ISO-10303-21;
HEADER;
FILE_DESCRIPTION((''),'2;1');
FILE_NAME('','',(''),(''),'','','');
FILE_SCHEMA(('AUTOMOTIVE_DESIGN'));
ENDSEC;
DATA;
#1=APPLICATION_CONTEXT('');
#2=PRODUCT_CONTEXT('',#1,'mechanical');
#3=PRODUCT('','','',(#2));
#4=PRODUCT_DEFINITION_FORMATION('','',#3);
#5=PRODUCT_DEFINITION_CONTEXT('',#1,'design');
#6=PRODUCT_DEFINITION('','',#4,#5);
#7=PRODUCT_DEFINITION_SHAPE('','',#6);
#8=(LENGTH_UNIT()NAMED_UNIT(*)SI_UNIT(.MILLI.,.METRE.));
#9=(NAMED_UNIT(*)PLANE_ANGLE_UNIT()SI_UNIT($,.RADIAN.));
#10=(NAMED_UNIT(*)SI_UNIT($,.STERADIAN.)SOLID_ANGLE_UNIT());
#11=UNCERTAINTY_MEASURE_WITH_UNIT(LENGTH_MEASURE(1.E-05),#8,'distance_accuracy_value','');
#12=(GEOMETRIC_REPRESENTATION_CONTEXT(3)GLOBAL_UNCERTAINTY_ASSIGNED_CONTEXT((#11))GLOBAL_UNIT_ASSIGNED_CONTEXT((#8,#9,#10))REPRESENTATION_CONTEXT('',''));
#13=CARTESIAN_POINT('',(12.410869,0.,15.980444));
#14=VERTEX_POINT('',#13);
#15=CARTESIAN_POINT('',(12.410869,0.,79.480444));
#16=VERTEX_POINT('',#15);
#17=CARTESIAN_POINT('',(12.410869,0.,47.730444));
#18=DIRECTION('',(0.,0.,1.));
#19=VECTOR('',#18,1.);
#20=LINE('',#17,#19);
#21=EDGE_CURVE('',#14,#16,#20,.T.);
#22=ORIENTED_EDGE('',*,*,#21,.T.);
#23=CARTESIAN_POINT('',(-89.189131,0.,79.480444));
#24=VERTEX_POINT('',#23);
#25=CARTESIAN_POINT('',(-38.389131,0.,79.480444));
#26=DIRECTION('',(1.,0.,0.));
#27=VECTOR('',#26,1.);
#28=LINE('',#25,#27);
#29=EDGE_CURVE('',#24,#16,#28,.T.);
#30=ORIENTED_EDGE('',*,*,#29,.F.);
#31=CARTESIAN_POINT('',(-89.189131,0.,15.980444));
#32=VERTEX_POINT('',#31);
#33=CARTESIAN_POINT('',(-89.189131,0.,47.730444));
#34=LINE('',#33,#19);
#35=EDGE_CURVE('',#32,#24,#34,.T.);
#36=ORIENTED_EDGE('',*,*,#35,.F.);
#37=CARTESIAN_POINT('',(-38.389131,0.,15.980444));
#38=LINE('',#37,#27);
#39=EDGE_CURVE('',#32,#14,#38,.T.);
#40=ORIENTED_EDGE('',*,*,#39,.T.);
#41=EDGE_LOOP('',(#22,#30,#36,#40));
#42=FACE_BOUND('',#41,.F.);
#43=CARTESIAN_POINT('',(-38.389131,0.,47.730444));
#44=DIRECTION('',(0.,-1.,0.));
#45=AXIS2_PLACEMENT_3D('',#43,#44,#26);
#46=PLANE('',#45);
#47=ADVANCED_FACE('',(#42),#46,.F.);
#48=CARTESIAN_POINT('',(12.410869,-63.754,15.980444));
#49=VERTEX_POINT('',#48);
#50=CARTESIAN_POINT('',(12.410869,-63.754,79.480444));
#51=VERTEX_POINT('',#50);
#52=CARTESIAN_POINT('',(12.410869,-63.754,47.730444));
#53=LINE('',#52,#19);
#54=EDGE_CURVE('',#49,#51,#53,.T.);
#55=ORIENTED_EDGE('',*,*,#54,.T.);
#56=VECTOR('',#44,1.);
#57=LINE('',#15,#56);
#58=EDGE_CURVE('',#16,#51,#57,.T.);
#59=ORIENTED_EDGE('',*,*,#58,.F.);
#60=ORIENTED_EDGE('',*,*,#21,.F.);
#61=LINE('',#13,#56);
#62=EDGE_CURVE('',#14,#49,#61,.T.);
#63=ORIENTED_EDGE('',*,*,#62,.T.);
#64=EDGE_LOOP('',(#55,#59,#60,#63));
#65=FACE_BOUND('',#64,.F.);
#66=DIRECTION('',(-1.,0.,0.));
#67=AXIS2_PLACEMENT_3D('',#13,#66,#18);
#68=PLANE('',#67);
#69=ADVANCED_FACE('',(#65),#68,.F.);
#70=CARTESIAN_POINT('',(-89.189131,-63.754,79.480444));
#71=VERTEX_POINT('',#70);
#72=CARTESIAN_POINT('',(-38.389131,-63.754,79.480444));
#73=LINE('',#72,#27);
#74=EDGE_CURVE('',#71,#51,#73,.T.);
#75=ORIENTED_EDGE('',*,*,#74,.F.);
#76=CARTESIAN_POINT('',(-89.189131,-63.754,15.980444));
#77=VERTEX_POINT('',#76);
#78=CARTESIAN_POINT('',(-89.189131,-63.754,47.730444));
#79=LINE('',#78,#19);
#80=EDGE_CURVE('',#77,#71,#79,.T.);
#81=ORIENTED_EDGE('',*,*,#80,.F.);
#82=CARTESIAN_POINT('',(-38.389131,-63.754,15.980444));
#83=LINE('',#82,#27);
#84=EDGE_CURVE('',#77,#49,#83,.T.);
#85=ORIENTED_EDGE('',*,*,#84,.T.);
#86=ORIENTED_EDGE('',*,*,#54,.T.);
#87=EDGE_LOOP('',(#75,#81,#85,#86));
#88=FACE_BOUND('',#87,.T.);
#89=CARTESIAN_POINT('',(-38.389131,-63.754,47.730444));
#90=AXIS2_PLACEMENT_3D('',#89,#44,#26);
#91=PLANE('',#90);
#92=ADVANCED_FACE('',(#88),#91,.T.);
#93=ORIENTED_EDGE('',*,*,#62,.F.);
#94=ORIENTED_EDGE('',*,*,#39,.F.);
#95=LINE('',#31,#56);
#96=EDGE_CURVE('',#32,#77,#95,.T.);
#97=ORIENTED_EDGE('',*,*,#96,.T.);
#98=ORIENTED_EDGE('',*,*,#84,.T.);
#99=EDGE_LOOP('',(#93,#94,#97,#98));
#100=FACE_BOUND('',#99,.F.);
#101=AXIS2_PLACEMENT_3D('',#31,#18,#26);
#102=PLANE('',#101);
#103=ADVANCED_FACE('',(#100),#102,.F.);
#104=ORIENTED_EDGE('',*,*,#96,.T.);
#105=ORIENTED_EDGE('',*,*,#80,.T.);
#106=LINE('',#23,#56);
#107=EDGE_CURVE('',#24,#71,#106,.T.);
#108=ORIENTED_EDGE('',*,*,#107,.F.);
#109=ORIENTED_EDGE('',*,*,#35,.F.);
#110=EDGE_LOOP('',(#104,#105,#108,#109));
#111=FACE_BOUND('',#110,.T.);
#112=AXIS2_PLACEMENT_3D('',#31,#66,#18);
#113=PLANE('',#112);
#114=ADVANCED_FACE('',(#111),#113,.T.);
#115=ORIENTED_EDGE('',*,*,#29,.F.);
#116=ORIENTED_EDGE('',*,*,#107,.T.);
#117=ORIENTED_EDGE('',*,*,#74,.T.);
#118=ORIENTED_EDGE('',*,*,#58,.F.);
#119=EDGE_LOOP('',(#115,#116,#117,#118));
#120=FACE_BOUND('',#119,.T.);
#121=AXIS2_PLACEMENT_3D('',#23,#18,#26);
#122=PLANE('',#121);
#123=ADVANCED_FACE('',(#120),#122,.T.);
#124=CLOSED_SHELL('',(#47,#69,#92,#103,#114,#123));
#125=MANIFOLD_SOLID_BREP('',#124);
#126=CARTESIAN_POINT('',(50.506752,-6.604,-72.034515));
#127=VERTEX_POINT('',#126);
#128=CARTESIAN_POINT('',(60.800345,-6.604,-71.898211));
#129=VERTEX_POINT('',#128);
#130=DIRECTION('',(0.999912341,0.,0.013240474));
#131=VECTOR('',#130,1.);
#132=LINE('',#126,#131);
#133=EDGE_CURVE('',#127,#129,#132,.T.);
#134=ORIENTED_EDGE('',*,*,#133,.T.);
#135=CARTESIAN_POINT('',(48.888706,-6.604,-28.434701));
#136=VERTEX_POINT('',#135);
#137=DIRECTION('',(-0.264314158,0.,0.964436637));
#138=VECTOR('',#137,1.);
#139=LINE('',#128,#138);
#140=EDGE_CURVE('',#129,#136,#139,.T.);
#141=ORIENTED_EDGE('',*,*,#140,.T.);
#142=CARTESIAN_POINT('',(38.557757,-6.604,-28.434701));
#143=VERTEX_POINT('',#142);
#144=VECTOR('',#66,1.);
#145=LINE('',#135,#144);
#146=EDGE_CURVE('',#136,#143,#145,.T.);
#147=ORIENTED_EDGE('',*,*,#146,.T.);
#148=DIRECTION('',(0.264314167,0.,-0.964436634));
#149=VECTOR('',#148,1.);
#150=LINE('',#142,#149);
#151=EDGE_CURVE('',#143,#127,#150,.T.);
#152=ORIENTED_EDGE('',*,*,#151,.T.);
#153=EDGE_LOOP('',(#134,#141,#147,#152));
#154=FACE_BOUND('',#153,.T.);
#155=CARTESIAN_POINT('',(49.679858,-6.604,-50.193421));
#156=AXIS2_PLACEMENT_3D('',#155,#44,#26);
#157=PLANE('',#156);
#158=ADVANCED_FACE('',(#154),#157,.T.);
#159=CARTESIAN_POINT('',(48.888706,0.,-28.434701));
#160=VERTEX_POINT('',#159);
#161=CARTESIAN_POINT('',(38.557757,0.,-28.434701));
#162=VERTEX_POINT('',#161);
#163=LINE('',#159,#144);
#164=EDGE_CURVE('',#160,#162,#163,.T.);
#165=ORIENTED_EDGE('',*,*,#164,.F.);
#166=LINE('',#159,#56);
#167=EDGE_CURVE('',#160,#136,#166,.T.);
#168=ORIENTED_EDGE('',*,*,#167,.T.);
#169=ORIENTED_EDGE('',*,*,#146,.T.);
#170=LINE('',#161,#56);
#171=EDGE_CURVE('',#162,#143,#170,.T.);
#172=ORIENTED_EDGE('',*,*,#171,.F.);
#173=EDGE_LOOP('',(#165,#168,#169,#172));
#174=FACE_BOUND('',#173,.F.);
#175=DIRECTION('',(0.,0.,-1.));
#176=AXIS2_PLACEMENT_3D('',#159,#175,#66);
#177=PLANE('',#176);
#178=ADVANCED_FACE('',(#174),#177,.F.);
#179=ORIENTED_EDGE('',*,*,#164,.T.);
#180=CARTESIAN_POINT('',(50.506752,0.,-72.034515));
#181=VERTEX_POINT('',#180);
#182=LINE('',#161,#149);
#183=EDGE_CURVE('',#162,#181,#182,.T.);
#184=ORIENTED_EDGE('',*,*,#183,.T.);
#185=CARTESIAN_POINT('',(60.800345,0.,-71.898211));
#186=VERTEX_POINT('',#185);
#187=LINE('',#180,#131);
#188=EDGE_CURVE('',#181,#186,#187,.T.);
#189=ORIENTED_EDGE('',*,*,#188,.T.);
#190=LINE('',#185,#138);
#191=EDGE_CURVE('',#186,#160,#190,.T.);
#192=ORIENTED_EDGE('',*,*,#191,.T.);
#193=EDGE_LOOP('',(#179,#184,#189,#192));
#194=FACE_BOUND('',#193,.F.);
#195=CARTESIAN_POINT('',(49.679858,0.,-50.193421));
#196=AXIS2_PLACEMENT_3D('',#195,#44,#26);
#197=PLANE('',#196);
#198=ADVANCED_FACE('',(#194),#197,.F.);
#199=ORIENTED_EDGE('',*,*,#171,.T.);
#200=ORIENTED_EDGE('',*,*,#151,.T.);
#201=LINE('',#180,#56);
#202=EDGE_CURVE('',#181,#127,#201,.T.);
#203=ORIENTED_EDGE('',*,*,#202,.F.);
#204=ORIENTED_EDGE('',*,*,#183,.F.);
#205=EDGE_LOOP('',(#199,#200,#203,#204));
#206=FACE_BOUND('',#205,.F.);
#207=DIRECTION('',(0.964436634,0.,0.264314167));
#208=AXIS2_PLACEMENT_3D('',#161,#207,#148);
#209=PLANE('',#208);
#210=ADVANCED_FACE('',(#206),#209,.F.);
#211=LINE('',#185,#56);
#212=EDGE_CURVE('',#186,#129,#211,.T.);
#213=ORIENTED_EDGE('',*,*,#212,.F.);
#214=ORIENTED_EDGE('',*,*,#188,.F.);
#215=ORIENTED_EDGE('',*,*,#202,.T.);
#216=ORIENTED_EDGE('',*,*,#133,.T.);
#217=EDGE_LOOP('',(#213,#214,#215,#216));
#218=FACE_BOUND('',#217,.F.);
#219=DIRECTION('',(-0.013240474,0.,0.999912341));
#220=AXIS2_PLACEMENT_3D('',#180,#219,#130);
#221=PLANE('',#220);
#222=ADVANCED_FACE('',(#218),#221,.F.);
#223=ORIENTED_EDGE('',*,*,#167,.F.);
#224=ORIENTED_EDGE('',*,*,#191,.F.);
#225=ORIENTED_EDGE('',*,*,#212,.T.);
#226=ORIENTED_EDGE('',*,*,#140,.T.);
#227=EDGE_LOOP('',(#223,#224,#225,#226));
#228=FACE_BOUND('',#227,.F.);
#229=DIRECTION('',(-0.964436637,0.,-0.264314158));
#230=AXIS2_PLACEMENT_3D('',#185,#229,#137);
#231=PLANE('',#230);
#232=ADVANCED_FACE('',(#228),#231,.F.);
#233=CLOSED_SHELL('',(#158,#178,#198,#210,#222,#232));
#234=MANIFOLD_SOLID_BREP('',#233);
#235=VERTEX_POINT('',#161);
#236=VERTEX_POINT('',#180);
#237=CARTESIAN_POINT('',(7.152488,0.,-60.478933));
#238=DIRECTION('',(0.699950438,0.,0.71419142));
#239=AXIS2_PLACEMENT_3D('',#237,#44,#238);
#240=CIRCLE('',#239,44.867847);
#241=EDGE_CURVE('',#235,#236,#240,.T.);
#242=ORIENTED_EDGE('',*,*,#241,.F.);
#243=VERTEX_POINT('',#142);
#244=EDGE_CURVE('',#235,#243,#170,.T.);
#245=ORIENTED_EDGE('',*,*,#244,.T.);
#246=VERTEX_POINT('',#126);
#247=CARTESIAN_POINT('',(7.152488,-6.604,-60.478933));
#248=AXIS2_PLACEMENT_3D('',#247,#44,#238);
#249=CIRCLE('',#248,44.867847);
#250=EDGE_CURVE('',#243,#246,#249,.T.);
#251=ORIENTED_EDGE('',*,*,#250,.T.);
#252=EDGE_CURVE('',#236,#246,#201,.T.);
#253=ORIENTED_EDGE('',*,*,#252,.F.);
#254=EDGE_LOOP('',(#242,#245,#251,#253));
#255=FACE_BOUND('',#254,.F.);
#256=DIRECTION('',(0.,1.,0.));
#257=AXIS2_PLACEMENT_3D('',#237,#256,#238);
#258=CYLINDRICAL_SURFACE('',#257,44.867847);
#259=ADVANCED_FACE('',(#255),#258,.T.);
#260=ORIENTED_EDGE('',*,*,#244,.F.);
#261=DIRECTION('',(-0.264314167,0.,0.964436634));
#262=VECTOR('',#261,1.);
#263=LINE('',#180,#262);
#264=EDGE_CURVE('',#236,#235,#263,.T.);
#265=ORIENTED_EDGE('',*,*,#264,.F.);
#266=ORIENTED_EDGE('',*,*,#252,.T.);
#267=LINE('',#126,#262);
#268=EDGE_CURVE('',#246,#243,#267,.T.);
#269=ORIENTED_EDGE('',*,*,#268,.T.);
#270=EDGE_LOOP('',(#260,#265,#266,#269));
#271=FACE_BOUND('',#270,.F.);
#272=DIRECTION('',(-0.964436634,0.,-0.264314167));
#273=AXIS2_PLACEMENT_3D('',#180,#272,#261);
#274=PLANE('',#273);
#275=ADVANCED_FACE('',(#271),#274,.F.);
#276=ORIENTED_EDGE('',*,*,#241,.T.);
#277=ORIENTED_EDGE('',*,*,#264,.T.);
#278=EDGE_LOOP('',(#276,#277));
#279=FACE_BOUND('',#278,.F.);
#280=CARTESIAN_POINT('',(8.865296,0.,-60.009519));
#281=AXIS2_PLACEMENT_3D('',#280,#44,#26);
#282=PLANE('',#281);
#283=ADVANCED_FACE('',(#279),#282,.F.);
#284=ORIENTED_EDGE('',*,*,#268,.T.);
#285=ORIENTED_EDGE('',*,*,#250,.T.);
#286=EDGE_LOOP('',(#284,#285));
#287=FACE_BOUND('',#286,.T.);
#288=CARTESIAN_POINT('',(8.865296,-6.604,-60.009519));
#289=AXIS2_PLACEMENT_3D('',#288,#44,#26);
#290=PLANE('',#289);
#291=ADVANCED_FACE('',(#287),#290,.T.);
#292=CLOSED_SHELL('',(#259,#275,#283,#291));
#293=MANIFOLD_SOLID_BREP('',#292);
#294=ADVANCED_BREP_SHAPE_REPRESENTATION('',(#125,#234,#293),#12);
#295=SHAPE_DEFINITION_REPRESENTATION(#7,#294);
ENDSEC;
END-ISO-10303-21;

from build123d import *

# Parameters (mm, degrees)
F0_W     = 101.6
F0_H     = 63.5
F1_DEPTH = 63.754
F2_DEPTH = 6.604
F3_DEPTH = 6.604


with BuildPart() as f1:
    # F0 (on Front) → F1 (new body)
    with BuildSketch(Plane.XZ):
        with Locations((-38.389131, 47.730444)):
            Rectangle(F0_W, F0_H)
    extrude(amount=F1_DEPTH)


with BuildPart() as f2:
    # F0 (on Front) → F2 (new body)
    with BuildSketch(Plane.XZ):
        with BuildLine():
            Line((50.506752, -72.034515), (38.557757, -28.434701))
            ThreePointArc((38.557757, -28.434701), (-36.119708, -72.338141), (50.506752, -72.034515))
        make_face()
    extrude(amount=F2_DEPTH)


with BuildPart() as f3:
    # F0 (on Front) → F3 (new body)
    with BuildSketch(Plane.XZ):
        Polygon((48.888706, -28.434701), (38.557757, -28.434701), (50.506752, -72.034515), (60.800345, -71.898211), align=None)
    extrude(amount=F3_DEPTH)


solid = Compound([f1.part, f2.part, f3.part])
